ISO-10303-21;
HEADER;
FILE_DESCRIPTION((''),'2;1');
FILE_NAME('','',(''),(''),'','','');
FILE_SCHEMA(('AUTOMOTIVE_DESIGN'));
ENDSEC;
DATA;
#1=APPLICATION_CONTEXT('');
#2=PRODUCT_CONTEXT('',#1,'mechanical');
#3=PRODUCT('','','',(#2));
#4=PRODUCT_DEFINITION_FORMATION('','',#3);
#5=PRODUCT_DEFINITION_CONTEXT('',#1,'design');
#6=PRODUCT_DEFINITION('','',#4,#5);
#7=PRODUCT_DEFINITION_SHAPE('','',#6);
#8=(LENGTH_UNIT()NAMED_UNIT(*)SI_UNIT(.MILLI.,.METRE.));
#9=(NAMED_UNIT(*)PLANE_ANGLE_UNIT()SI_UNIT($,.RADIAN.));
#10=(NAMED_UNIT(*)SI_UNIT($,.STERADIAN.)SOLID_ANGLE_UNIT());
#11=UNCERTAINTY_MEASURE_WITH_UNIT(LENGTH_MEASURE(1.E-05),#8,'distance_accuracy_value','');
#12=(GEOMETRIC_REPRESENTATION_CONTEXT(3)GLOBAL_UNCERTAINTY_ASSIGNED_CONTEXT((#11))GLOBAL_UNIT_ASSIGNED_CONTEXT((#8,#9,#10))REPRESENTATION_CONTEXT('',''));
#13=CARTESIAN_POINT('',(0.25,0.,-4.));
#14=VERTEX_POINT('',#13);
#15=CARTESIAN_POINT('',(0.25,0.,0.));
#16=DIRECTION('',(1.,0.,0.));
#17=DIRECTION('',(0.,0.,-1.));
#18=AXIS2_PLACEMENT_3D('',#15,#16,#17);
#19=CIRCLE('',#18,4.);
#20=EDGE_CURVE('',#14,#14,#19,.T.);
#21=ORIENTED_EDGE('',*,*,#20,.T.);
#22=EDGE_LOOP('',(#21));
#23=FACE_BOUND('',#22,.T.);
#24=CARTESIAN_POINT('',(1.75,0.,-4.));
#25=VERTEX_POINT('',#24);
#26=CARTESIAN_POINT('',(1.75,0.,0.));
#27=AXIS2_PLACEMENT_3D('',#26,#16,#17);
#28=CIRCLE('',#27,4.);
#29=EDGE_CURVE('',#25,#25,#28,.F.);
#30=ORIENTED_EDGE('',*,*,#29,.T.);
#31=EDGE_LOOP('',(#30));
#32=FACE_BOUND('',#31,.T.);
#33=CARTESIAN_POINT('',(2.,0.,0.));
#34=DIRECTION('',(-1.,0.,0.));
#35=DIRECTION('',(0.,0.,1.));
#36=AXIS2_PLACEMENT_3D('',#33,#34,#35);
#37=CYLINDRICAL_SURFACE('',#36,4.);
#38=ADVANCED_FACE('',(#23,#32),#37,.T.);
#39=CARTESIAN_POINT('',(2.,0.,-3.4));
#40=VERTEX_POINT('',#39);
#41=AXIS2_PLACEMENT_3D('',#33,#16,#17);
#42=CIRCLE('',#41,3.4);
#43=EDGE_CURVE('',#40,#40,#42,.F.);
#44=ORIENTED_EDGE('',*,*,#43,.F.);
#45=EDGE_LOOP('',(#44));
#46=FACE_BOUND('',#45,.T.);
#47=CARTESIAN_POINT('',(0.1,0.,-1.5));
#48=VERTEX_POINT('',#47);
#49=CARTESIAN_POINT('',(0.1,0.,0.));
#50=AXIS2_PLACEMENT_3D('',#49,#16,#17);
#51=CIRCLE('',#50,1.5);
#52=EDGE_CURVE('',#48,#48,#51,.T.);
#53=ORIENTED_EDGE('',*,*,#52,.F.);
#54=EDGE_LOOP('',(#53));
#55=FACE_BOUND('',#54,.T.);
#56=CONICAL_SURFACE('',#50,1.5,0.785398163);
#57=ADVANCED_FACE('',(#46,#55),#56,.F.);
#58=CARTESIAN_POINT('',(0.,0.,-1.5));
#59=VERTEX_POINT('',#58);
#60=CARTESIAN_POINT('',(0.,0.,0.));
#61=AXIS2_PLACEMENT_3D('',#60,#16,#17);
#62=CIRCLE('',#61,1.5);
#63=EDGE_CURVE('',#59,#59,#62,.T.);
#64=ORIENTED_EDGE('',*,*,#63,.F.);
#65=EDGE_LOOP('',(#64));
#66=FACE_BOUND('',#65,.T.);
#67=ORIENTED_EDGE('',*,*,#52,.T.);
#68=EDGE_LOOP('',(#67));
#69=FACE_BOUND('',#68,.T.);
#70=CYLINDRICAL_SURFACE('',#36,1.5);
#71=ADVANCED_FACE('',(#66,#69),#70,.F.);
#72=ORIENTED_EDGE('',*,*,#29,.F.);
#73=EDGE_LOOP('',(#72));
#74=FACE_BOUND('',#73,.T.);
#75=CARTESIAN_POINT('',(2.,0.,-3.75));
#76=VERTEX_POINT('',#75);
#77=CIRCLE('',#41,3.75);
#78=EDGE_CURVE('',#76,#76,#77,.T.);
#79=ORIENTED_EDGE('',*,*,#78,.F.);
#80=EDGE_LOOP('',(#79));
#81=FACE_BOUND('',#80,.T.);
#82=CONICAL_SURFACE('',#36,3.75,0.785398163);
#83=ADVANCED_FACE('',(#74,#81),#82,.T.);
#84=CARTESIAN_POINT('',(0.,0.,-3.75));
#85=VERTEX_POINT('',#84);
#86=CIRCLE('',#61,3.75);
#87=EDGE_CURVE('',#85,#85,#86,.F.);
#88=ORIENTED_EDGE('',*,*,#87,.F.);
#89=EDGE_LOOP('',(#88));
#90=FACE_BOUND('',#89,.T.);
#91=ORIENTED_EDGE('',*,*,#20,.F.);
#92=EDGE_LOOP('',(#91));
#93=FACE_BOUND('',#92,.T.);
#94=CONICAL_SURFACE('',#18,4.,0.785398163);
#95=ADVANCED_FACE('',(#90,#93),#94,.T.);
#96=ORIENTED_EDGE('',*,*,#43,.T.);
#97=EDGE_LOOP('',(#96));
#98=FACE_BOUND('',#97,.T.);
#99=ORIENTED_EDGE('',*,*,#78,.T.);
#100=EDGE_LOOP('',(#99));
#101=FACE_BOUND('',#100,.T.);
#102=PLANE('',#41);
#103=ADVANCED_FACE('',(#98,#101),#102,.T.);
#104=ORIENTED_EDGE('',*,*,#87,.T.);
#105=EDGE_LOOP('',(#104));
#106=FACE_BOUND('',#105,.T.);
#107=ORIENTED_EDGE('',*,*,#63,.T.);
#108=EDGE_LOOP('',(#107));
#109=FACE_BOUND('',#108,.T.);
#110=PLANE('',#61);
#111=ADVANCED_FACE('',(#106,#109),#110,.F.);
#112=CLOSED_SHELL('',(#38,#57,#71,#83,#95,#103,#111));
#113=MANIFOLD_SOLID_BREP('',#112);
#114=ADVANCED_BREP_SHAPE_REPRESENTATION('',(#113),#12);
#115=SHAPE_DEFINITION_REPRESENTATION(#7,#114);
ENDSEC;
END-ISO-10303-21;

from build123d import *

# Parameters (mm, degrees)
SKETCH1_R           = 4
SKETCH1_R_2         = 1.5
BOSS_EXTRUDE1_DEPTH = 2
CHAMFER1_SIZE       = 1.9
CHAMFER2_SIZE       = 0.25


with BuildPart() as part:
    # Sketch1 → Boss-Extrude1 (new body)
    with BuildSketch(Plane(origin=(0, 0, 0), x_dir=(0, 0, -1), z_dir=(1, 0, 0))):
        Circle(SKETCH1_R)
        Circle(SKETCH1_R_2, mode=Mode.SUBTRACT)
    extrude(amount=BOSS_EXTRUDE1_DEPTH)

    # Chamfer1
    chamfer1_edges = [part.edges().sort_by_distance(p)[0] for p in [
        (2, 0, 1.5),
    ]]
    chamfer(chamfer1_edges, length=CHAMFER1_SIZE)

    # Chamfer2
    chamfer2_edges = [part.edges().sort_by_distance(p)[0] for p in [
        (0, 0, 4),
        (2, 0, 4),
    ]]
    chamfer(chamfer2_edges, length=CHAMFER2_SIZE)


solid = part.part
